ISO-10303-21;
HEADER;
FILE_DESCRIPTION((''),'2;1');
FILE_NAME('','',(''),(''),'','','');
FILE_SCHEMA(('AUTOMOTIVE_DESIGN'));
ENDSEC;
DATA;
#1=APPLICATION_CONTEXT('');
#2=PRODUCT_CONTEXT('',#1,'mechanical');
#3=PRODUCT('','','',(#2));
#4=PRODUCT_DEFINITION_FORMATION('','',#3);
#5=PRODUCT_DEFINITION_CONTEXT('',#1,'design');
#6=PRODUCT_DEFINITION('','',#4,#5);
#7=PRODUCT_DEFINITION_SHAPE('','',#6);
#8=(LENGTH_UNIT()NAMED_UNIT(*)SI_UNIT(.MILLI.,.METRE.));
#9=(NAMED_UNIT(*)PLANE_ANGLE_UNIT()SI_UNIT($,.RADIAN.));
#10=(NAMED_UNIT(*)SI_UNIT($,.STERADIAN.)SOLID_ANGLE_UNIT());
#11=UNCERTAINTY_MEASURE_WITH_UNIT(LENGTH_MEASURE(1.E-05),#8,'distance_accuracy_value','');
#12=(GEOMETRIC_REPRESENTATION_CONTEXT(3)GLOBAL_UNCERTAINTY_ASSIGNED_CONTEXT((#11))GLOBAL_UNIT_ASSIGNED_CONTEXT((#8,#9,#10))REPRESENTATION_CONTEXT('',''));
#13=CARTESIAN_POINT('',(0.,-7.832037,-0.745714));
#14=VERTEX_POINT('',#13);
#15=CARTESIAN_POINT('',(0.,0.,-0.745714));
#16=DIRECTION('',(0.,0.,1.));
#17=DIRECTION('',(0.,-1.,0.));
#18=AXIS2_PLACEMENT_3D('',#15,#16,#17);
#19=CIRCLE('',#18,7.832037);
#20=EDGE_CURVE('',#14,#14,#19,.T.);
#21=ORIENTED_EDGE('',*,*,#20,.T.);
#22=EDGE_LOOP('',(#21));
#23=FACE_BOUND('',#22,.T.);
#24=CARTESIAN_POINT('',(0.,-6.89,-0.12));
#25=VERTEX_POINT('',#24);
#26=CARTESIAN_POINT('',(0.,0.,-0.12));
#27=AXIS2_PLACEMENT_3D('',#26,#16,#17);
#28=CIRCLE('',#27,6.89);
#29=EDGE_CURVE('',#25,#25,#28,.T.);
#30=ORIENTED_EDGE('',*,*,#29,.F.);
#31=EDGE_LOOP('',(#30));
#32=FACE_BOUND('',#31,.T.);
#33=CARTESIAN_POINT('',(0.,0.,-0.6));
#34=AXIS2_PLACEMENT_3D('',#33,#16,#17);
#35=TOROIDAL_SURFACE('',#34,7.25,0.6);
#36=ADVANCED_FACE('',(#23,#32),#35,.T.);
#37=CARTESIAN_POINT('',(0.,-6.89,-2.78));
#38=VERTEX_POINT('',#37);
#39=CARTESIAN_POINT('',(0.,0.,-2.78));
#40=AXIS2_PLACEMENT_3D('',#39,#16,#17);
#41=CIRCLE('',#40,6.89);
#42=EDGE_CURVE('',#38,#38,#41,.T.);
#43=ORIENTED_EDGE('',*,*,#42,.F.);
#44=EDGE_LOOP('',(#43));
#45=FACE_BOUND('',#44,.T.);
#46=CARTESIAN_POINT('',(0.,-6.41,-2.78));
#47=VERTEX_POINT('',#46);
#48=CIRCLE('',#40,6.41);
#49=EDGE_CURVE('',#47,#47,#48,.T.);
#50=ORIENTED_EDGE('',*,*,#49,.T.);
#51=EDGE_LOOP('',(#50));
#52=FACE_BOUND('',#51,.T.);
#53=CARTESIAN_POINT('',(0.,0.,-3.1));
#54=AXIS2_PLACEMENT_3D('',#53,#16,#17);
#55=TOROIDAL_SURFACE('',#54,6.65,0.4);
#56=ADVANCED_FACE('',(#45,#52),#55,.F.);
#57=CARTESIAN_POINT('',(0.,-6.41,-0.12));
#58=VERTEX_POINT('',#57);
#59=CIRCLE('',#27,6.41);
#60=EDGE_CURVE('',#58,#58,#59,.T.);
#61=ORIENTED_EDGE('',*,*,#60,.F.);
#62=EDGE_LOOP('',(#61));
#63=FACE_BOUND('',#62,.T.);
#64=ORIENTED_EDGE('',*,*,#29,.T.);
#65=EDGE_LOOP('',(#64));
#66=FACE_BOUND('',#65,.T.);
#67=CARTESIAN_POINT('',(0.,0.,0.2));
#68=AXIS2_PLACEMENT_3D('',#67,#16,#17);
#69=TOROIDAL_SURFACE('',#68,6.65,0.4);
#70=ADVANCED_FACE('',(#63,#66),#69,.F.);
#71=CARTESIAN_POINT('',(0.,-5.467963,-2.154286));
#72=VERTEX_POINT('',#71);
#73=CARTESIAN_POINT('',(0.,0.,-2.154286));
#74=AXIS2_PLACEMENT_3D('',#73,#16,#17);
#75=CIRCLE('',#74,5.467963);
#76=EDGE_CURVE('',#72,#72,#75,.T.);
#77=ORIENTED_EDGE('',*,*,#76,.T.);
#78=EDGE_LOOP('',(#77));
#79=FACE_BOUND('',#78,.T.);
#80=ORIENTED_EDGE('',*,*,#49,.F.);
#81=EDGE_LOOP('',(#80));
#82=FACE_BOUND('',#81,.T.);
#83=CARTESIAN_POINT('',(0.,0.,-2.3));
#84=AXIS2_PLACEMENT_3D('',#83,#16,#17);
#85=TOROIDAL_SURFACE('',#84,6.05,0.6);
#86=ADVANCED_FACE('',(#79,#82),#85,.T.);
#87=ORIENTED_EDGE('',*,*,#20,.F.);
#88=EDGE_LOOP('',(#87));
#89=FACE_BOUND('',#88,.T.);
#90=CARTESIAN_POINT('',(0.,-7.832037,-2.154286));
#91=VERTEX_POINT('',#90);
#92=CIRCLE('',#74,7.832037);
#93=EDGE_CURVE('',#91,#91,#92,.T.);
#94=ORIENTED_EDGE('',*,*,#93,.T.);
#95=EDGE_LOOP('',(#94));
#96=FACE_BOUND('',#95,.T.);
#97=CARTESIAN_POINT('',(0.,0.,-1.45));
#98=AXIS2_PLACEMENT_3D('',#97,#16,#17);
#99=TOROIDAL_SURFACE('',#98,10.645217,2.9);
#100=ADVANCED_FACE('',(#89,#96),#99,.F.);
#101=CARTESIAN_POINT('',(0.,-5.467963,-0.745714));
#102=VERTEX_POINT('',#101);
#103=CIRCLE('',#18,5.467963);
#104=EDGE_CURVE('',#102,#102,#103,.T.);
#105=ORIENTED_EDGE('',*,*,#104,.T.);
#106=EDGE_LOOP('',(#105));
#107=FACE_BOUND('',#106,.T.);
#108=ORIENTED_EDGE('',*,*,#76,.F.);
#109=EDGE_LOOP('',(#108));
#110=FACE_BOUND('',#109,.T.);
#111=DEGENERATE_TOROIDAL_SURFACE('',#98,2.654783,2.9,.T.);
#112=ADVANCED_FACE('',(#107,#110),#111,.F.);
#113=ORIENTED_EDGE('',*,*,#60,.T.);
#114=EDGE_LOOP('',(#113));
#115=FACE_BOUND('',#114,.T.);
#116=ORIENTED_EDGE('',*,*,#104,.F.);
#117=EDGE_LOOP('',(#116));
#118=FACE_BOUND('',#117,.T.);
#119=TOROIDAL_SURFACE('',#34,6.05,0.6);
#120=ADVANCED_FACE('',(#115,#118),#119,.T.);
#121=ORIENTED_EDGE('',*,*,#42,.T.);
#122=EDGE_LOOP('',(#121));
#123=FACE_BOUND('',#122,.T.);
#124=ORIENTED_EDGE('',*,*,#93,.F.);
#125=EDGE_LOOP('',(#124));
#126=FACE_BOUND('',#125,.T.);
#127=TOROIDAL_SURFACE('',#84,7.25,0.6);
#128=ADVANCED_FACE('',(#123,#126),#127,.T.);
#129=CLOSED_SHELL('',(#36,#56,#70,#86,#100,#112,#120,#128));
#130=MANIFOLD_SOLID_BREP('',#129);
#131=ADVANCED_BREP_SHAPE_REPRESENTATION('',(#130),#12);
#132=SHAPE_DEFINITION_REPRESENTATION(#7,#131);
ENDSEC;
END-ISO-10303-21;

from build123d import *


with BuildPart() as part:
    # Esquisse1 → Base-Révolution (revolve)
    with BuildSketch(Plane(origin=(0, 0, 0), x_dir=(0, 0, -1), z_dir=(1, 0, 0))):
        with BuildLine():
            ThreePointArc((0.745714286, 7.832037238), (0.100204768, 7.581970971), (0.12, 6.89))
            ThreePointArc((0.12, 6.89), (0.2, 6.65), (0.12, 6.41))
            ThreePointArc((0.12, 6.41), (0.100204768, 5.718029029), (0.745714286, 5.467962762))
            ThreePointArc((0.745714286, 5.467962762), (1.45, 5.554782776), (2.154285714, 5.467962762))
            ThreePointArc((2.154285714, 5.467962762), (2.799795232, 5.718029029), (2.78, 6.41))
            ThreePointArc((2.78, 6.41), (2.7, 6.65), (2.78, 6.89))
            ThreePointArc((2.78, 6.89), (2.799795232, 7.581970971), (2.154285714, 7.832037238))
            ThreePointArc((2.154285714, 7.832037238), (1.45, 7.745217224), (0.745714286, 7.832037238))
        make_face()
    revolve(axis=Axis((0, 0, 0), (0, 0, -1)))


solid = part.part
